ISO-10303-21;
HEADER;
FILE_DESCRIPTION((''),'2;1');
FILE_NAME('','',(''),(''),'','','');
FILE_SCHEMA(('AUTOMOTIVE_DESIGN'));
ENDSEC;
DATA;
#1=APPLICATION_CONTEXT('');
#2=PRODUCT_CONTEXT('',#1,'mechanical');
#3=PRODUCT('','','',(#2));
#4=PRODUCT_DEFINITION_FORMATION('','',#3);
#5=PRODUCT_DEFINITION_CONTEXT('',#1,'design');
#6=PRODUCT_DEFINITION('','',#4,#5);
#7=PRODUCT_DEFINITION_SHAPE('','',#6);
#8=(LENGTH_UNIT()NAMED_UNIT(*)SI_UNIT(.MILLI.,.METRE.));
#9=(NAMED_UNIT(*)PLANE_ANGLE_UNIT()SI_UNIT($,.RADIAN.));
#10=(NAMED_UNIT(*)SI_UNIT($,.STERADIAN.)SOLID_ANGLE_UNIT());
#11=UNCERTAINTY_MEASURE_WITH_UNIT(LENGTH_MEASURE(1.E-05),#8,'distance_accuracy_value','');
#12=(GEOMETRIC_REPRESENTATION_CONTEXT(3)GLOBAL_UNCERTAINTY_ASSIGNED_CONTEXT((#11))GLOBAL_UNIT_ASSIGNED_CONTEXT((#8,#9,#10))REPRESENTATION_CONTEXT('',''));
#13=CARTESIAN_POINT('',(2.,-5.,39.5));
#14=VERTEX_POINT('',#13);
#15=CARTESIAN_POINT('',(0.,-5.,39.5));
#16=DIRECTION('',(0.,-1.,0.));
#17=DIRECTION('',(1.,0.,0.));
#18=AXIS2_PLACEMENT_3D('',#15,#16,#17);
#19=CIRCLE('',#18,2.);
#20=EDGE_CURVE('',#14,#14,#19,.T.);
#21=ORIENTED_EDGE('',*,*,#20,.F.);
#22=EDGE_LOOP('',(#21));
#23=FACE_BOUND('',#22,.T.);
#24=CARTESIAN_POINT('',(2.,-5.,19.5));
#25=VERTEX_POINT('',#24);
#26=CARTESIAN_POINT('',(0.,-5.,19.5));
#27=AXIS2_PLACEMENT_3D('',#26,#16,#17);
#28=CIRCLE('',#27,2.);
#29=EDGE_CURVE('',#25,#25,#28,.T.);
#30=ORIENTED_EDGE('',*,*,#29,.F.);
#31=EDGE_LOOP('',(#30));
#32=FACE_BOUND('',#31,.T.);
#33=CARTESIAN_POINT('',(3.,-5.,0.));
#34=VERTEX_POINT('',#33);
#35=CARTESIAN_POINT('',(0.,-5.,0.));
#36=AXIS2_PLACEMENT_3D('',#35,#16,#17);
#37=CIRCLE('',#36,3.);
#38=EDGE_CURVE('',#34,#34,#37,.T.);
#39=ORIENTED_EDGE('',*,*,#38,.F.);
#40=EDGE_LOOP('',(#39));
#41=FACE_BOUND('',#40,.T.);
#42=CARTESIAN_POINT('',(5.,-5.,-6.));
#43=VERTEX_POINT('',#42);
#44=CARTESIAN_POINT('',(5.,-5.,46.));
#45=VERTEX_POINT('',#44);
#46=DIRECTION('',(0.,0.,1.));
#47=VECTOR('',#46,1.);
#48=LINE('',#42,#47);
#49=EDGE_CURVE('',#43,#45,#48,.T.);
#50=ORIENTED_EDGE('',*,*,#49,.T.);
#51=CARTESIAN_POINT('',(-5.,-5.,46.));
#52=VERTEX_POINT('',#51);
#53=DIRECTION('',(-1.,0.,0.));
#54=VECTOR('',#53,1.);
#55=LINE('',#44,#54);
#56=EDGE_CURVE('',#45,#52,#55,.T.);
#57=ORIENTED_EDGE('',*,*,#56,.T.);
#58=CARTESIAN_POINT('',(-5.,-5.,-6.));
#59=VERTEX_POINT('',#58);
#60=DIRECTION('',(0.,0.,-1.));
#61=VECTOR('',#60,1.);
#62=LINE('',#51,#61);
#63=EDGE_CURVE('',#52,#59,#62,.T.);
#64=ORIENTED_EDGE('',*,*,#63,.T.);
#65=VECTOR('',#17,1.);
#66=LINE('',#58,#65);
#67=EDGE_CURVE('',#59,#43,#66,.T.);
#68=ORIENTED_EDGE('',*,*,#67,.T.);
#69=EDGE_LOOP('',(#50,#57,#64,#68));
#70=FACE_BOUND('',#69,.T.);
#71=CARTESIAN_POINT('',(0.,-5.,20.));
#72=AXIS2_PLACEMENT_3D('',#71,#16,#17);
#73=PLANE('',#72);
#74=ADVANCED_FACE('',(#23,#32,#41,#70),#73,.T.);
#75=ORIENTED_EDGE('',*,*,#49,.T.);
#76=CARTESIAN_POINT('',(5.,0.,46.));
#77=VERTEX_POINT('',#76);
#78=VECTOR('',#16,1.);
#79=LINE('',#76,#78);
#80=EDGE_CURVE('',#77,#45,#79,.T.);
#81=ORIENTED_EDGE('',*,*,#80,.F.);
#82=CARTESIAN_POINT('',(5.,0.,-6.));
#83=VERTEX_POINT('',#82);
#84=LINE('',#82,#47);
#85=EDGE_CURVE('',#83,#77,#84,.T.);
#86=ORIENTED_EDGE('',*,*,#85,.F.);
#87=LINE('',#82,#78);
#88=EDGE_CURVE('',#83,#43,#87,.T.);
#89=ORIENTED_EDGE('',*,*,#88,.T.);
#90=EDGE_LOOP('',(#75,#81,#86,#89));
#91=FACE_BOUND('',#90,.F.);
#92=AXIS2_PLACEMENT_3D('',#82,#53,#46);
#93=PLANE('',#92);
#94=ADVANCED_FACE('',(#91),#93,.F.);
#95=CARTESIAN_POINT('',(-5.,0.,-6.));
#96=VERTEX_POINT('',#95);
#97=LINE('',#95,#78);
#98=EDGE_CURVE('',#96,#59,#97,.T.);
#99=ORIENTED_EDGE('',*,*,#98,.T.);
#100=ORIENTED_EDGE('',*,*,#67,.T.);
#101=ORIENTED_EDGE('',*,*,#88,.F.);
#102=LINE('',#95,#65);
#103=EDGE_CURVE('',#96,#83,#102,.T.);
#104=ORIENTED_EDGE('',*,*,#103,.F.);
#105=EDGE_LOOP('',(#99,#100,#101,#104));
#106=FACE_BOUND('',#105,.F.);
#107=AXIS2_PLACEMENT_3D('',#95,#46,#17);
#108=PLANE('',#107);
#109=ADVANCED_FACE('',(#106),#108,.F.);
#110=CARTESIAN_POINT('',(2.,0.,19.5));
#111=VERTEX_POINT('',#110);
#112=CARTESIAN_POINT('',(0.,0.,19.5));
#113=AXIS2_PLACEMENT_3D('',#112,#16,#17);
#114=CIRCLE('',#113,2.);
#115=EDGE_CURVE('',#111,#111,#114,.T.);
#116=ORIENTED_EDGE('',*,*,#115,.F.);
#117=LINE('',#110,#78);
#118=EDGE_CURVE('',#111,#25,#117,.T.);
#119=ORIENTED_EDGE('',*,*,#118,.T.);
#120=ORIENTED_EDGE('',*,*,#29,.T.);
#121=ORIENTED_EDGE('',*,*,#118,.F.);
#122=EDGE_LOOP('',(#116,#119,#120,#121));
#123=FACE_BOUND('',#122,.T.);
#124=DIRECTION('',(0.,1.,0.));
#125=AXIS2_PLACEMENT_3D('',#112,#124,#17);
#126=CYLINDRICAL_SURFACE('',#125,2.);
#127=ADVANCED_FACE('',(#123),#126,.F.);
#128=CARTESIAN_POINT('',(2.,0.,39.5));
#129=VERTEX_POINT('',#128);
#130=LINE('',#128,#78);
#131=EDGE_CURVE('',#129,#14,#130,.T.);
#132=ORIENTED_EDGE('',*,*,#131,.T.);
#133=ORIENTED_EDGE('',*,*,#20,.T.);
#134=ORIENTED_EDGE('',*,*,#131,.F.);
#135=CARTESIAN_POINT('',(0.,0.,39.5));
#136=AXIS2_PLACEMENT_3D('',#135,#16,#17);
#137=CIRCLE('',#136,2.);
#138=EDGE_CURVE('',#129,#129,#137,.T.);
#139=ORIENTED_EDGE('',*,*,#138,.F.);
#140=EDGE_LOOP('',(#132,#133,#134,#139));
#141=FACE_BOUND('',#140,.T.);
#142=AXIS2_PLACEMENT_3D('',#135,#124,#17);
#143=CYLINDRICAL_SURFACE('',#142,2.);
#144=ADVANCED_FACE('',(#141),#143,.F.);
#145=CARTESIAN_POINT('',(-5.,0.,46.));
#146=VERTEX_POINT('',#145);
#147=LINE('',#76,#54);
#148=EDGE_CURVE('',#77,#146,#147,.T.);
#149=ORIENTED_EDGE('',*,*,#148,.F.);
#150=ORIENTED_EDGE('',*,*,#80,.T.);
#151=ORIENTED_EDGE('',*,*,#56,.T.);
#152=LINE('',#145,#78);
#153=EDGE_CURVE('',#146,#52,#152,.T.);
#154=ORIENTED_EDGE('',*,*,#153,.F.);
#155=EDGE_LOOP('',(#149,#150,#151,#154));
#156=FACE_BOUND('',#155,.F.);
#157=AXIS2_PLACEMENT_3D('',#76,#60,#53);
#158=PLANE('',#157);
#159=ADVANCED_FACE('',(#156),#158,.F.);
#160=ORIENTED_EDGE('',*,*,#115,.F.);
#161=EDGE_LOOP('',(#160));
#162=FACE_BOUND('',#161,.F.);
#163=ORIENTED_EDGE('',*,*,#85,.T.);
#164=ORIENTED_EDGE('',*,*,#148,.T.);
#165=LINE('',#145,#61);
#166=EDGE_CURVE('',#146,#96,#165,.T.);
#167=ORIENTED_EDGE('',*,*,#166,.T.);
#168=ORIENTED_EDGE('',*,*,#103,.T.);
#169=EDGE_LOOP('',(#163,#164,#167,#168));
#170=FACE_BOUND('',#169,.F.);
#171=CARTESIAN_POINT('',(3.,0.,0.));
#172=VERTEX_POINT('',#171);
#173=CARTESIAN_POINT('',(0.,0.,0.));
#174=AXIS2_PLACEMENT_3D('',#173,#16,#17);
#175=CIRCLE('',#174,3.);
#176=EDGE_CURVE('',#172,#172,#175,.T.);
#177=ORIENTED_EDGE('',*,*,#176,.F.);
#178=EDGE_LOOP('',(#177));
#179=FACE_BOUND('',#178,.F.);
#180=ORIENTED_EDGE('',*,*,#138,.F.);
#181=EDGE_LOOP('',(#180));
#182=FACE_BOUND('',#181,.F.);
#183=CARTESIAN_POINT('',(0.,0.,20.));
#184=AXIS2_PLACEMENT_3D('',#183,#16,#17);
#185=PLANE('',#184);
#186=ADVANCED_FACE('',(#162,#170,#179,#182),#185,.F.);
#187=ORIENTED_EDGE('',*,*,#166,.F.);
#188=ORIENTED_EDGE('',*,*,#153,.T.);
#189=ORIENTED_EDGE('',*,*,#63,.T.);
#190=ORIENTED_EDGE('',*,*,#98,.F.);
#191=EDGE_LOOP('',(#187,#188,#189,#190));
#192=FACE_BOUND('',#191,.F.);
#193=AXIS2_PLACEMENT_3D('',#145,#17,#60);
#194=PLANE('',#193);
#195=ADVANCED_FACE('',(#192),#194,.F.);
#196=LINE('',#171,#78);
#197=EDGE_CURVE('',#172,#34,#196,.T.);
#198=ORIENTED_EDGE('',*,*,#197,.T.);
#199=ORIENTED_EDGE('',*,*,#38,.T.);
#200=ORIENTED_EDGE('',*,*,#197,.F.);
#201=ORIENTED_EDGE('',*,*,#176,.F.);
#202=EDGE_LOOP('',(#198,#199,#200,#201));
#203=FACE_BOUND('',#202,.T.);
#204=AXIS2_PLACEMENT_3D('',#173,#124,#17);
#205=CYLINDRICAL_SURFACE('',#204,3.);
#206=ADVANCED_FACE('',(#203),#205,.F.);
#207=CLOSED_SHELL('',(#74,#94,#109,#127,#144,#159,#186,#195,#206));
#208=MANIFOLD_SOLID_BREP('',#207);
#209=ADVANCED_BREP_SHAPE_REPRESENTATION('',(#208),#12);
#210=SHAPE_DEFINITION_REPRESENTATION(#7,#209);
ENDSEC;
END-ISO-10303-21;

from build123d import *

# Parameters (mm, degrees)
F0_R     = 3
F0_R_2   = 2
F1_DEPTH = 5


with BuildPart() as f1:
    # F0 (on Front) → F1 (new body)
    with BuildSketch(Plane.XZ):
        Polygon((-5, -6), (5, -6), (5, 6), (5, 46), (-5, 46), (-5, 6), align=None)
        Circle(F0_R, mode=Mode.SUBTRACT)
        with Locations((0, 19.5)):
            Circle(F0_R_2, mode=Mode.SUBTRACT)
        with Locations((0, 39.5)):
            Circle(F0_R_2, mode=Mode.SUBTRACT)
    extrude(amount=F1_DEPTH)


solid = f1.part
